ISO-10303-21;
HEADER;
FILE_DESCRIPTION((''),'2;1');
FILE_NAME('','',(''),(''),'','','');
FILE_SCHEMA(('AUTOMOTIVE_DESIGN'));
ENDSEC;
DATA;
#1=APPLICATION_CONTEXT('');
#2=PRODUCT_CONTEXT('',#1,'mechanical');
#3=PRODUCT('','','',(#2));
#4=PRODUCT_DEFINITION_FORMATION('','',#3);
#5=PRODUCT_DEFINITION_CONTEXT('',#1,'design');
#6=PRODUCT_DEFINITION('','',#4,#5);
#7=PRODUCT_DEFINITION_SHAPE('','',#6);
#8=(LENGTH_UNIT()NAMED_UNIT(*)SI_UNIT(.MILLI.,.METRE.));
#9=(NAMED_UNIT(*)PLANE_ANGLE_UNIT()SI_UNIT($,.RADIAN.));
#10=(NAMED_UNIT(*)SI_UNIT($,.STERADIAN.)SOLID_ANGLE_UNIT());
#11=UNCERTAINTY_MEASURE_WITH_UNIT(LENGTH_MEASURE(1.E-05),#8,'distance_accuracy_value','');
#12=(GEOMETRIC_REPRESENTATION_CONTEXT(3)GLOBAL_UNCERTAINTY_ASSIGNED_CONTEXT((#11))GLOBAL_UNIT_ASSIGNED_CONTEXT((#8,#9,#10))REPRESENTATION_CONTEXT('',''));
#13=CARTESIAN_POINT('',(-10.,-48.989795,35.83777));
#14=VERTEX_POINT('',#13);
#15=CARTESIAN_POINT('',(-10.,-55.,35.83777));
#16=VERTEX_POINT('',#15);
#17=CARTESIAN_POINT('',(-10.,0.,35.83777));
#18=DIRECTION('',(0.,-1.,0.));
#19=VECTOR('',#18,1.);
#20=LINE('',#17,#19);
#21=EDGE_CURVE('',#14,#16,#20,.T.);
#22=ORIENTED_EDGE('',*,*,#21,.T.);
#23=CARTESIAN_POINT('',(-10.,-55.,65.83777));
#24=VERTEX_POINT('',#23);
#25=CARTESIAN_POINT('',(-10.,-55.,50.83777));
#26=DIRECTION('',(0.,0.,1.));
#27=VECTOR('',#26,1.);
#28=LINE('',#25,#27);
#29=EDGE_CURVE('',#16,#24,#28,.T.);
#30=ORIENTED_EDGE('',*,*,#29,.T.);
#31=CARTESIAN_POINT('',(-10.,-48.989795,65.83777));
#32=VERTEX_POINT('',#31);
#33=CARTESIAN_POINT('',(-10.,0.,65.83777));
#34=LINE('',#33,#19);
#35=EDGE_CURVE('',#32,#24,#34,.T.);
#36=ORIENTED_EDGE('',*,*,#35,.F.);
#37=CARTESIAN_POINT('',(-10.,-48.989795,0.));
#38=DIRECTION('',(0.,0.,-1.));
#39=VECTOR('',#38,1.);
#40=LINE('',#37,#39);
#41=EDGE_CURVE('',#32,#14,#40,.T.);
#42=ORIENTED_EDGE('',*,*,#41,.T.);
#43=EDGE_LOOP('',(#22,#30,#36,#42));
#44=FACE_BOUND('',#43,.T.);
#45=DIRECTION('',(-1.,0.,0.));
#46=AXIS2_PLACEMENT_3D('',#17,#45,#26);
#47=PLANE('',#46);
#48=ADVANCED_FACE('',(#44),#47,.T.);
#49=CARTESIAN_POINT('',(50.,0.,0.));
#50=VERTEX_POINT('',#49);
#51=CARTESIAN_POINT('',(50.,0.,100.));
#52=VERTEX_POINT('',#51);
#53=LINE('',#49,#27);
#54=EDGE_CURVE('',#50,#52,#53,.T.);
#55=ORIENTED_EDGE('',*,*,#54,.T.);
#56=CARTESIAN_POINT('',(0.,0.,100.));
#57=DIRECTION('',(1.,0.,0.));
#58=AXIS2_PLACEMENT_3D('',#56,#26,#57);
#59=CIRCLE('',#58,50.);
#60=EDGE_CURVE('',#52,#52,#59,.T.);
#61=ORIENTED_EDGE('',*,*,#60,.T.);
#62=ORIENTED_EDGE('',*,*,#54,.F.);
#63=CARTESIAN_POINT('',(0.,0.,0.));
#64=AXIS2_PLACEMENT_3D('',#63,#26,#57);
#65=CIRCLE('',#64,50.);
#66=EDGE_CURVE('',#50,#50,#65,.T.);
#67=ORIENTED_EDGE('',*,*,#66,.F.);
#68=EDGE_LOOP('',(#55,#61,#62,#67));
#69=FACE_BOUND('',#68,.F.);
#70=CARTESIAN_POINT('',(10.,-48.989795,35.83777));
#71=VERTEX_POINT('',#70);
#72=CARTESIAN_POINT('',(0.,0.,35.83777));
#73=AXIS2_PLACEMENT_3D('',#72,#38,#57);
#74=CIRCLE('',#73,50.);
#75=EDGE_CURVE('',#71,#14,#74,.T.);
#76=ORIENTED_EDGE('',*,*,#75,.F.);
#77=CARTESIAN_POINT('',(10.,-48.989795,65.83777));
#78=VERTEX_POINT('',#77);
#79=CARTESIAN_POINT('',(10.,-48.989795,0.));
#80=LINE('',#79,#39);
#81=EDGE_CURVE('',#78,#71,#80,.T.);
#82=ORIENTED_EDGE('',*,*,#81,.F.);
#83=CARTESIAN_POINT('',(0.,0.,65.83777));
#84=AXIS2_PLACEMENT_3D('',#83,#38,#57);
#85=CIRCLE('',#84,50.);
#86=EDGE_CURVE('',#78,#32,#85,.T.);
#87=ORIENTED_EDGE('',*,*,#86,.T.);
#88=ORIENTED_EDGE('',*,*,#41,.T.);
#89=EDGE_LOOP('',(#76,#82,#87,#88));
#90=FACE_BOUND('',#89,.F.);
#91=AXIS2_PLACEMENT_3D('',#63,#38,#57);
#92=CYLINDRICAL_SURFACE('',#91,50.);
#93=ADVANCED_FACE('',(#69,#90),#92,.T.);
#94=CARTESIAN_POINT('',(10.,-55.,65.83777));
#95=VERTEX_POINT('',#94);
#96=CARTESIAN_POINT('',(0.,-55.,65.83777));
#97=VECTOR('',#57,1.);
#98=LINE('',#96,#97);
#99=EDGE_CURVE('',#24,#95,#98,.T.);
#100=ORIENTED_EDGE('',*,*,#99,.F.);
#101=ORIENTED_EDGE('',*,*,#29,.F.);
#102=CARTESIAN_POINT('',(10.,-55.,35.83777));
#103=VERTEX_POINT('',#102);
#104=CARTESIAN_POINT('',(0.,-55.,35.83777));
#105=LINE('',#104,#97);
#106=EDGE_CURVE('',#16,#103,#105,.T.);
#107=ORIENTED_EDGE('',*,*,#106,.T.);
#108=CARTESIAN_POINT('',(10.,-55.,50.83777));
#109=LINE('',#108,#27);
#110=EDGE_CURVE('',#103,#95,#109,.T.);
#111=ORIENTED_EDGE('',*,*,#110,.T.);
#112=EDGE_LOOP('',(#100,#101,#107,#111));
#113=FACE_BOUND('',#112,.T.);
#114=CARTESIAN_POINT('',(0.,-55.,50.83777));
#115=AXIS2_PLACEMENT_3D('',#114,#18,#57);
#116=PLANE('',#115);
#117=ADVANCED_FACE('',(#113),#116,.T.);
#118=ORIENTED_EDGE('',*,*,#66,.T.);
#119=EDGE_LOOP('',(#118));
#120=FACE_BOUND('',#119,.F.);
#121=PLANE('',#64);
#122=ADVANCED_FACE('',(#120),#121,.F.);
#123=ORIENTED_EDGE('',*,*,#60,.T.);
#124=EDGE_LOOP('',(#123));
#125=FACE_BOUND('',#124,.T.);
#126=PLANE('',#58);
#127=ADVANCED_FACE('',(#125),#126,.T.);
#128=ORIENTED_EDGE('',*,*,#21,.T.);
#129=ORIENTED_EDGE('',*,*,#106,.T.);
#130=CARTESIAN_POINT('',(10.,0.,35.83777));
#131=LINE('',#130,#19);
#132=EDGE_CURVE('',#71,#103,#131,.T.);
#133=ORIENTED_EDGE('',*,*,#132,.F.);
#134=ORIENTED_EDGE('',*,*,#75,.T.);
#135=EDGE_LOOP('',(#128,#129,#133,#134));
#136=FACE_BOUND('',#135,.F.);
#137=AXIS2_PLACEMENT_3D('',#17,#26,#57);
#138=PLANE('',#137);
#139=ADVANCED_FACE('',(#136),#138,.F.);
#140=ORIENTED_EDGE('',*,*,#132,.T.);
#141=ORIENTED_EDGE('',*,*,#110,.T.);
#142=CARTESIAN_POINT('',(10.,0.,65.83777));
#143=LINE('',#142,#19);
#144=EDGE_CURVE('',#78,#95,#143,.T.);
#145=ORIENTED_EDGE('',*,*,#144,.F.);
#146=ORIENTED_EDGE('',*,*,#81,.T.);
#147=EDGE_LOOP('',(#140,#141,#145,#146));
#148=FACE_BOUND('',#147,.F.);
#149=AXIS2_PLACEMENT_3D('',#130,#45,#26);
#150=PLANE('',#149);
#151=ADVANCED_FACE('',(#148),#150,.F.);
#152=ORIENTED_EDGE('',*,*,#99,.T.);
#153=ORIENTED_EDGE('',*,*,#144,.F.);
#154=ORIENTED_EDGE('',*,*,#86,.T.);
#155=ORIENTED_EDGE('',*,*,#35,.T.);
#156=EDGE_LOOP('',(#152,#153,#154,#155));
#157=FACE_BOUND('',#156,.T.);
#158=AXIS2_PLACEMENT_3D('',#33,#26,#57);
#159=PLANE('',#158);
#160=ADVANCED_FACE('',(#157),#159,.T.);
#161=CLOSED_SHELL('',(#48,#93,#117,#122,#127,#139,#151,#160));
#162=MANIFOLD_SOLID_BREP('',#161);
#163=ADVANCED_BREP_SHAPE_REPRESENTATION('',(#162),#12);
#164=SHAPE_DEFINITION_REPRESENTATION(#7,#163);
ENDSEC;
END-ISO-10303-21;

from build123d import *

# Parameters (mm, degrees)
F0_R     = 50
F1_DEPTH = 100
F2_W     = 20
F2_H     = 30
F3_DEPTH = 55


with BuildPart() as f1:
    # F0 (on Top) → F1 (new body)
    with BuildSketch(Plane.XY):
        Circle(F0_R)
    extrude(amount=F1_DEPTH)

    # F2 (on Front) → F3 (join)
    with BuildSketch(Plane.XZ):
        with Locations((0, 50.83777)):
            Rectangle(F2_W, F2_H)
    extrude(amount=F3_DEPTH)


solid = f1.part
